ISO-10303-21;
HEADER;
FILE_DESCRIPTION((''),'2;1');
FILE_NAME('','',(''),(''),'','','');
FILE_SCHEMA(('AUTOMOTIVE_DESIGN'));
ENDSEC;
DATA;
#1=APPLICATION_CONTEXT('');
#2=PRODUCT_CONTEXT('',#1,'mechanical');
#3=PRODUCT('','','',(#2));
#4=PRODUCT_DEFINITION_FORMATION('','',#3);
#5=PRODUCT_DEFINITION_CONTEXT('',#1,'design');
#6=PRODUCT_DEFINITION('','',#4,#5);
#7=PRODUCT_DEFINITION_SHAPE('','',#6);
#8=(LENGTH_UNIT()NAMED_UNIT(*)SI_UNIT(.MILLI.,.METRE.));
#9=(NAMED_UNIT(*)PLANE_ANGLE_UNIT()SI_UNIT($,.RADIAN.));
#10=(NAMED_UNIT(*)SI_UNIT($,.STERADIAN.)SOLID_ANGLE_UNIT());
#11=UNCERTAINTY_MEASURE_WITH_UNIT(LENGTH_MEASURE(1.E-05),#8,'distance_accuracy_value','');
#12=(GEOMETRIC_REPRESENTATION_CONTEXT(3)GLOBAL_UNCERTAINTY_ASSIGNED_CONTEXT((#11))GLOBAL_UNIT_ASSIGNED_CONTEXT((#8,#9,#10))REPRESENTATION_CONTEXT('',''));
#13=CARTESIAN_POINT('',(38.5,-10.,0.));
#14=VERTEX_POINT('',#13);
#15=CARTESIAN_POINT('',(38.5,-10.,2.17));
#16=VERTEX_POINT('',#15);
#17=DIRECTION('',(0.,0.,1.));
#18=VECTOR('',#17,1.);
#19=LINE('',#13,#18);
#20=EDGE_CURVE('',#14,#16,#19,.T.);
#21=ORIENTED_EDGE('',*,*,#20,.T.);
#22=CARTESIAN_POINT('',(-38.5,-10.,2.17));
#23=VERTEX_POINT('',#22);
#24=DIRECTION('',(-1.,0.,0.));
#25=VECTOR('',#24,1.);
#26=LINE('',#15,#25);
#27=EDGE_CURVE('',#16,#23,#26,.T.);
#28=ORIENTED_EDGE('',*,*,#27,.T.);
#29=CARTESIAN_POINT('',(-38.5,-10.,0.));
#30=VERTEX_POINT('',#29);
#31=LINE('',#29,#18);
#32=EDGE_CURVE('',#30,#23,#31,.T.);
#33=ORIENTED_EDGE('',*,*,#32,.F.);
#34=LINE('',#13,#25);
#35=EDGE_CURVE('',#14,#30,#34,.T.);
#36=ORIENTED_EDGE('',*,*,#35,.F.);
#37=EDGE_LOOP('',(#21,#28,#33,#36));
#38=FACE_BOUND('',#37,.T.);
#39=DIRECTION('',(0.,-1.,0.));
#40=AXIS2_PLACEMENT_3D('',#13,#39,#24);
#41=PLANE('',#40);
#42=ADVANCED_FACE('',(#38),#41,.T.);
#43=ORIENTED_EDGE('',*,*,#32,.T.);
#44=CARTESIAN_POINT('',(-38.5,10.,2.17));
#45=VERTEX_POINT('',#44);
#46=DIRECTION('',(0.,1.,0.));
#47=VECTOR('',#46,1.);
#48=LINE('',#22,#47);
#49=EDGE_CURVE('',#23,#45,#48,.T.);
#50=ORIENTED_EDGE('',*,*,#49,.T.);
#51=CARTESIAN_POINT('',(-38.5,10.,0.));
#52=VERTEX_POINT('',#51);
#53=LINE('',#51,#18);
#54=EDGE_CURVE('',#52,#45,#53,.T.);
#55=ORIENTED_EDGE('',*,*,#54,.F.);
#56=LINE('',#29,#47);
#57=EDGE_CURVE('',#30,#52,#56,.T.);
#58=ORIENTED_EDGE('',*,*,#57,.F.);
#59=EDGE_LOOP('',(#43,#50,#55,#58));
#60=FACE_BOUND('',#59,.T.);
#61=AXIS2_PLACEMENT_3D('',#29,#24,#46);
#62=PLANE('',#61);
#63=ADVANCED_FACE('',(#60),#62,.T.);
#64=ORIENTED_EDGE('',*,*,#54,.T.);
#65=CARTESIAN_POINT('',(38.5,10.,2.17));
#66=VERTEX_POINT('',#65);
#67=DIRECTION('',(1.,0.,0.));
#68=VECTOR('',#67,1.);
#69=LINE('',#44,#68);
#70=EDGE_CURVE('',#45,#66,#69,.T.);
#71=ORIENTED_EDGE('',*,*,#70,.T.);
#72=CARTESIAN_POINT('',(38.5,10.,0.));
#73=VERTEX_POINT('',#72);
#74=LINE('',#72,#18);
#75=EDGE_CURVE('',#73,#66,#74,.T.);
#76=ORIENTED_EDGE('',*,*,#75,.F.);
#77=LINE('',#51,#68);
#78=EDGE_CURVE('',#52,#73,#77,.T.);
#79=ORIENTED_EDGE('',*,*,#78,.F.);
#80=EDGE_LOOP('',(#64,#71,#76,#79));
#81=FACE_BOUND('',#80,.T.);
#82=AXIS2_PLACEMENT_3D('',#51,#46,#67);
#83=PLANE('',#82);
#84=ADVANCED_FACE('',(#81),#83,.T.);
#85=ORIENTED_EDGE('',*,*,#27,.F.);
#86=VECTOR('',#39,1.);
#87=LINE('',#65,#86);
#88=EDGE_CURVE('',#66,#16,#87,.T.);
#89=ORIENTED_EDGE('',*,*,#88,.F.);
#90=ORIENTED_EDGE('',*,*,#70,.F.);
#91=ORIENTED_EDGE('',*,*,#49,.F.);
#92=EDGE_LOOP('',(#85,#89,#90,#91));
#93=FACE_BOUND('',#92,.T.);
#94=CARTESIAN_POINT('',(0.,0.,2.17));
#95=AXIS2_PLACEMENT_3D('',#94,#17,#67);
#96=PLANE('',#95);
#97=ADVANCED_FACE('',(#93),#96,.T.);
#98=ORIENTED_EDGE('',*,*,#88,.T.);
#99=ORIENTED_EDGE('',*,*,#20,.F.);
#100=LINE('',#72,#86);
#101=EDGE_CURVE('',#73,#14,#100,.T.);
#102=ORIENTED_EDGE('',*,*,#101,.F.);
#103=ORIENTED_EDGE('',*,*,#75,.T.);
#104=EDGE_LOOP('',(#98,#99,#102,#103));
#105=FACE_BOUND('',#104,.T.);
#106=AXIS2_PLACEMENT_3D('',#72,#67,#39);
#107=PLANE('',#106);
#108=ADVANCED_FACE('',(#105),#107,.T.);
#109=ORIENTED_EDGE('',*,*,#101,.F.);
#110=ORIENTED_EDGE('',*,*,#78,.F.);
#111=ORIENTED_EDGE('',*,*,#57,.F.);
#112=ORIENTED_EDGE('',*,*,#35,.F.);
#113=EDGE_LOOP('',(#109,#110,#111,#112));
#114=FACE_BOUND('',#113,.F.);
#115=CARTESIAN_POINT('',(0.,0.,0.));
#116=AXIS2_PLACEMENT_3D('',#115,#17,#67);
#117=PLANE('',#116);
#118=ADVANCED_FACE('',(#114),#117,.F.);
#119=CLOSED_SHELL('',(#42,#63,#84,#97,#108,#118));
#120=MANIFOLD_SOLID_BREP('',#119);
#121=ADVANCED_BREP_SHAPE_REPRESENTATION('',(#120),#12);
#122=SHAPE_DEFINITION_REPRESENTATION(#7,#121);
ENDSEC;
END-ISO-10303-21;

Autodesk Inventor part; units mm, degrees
ref_plane "YZ Plane" through (0, 0, 0) normal (1, 0, 0) x (0, 1, 0)
ref_plane "XZ Plane" through (0, 0, 0) normal (0, 1, 0) x (-1, 0, 0)
ref_plane "XY Plane" through (0, 0, 0) normal (0, 0, 1) x (1, 0, 0)
sketch "Skizze1" plane through (0, 0, 0) normal (0, 0, 1) x (1, 0, 0)
  line L0 (-38.5, 10) -> (38.5, 10)
  line L1 (38.5, 10) -> (38.5, -10)
  line L2 (38.5, -10) -> (-38.5, -10)
  line L3 (-38.5, -10) -> (-38.5, 10)
  line L4 (-38.5, 10) -> (38.5, -10) construction
  point P0 (0, 0)
  point P1 (0, 0)
  dimension "d0" = 77
  dimension "d1" = 20
extrude "Extrusion1" add sketch "Skizze1" along normal blind 2.17
properties part number "blech_optic"
